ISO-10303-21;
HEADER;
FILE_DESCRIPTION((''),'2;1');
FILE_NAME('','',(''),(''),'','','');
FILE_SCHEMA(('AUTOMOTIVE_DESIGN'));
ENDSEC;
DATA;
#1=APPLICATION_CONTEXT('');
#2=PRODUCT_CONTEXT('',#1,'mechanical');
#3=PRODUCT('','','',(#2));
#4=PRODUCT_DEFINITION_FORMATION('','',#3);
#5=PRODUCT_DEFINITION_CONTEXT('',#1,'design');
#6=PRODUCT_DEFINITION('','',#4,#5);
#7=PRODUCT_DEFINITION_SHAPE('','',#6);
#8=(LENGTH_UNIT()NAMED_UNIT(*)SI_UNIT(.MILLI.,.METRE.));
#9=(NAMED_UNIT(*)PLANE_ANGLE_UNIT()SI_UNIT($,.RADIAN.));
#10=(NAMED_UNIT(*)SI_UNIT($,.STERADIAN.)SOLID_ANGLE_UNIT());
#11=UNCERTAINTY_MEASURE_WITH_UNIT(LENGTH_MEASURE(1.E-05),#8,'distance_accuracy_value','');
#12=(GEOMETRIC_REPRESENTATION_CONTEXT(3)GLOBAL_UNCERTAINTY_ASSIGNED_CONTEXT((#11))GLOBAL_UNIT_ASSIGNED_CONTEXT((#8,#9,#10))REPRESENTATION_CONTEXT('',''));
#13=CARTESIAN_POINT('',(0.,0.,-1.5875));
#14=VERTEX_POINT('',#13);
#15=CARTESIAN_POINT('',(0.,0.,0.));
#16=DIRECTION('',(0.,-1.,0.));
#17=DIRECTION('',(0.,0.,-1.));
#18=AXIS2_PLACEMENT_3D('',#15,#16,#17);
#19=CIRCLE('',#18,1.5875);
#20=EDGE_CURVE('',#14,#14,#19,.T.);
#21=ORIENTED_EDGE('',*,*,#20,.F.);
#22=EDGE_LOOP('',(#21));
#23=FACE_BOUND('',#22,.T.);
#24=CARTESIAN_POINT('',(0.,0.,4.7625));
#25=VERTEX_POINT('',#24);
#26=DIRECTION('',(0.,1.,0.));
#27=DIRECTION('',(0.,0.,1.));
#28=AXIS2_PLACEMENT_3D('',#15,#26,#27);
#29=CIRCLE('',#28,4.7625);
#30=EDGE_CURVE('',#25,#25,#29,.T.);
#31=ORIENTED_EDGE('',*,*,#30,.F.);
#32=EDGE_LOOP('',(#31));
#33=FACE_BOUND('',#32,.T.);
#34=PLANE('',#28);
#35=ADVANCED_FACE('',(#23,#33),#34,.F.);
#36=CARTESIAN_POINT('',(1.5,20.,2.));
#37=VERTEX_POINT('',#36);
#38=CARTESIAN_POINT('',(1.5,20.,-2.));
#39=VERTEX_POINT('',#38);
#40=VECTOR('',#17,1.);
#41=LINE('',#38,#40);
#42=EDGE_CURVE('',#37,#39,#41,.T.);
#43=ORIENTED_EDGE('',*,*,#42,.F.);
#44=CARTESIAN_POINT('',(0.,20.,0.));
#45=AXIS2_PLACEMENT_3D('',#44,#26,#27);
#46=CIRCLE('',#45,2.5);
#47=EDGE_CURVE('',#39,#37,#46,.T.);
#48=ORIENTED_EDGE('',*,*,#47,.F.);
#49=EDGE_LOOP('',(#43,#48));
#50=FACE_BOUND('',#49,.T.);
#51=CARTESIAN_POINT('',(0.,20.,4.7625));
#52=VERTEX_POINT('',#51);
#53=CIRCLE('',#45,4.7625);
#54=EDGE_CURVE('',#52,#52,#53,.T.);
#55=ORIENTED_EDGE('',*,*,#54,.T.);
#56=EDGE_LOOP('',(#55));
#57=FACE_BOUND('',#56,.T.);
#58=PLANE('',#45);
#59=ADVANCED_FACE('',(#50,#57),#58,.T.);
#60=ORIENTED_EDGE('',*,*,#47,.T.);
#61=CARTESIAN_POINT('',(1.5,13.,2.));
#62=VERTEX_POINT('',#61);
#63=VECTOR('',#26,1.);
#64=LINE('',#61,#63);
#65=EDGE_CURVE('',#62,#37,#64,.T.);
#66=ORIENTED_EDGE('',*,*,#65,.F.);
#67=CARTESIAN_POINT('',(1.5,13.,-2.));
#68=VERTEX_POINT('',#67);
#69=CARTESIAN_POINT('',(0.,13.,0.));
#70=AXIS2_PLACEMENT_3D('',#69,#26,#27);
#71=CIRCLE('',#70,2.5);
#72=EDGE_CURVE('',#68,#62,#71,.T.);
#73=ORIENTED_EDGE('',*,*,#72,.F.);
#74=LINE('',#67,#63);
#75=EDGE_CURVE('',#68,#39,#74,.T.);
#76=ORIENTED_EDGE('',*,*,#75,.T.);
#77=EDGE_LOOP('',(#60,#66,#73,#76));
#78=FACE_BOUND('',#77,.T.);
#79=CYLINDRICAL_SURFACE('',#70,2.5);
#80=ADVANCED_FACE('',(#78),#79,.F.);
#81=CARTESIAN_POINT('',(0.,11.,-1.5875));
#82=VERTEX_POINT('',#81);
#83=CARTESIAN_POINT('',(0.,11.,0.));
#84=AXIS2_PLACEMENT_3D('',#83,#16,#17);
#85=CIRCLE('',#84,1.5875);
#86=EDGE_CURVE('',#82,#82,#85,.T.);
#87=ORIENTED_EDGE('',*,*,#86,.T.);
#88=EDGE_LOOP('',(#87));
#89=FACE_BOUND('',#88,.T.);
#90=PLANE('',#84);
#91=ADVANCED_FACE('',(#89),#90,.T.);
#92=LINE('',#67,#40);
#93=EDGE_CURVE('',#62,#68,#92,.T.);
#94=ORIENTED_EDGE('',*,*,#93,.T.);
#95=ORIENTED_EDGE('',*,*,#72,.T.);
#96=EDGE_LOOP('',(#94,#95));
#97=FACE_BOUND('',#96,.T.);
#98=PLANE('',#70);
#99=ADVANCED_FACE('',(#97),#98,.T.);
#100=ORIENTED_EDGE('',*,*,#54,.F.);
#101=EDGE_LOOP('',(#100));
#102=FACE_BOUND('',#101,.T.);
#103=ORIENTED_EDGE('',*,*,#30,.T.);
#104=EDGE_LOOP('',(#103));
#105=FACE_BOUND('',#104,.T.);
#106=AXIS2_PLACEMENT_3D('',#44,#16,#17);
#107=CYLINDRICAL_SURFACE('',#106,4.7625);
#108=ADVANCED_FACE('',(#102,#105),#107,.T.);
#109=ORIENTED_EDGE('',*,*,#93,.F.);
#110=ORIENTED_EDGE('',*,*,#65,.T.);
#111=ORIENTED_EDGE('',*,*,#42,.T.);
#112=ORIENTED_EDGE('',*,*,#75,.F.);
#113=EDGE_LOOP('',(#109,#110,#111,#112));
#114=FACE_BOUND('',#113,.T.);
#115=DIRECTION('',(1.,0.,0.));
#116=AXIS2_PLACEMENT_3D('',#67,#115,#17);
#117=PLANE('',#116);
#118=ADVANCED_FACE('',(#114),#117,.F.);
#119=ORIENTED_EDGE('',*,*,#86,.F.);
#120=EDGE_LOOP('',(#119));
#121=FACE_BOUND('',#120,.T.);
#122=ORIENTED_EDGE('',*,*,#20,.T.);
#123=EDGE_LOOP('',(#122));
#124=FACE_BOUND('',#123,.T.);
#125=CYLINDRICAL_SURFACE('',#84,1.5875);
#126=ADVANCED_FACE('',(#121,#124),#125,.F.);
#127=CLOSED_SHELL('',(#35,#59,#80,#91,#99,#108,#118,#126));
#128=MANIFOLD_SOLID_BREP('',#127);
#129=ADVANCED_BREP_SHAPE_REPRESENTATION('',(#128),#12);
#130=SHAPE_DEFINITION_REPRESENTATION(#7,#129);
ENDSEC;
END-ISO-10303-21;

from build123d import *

# Parameters (mm, degrees)
SKETCH1_R           = 4.7625
BOSS_EXTRUDE1_DEPTH = 20
CUT_EXTRUDE1_DEPTH  = 7
SKETCH3_R           = 1.5875
CUT_EXTRUDE2_DEPTH  = 11


with BuildPart() as part:
    # Sketch1 → Boss-Extrude1 (new body)
    with BuildSketch(Plane(origin=(0, 0, 0), x_dir=(1, 0, 0), z_dir=(0, 1, 0))):
        Circle(SKETCH1_R)
    extrude(amount=BOSS_EXTRUDE1_DEPTH)

    # Sketch2 → Cut-Extrude1 (cut)
    with BuildSketch(Plane(origin=(0, 20, 0), x_dir=(1, 0, 0), z_dir=(0, 1, 0))):
        with BuildLine():
            Line((1.5, 2), (1.5, -2))
            ThreePointArc((1.5, -2), (-2.5, 0), (1.5, 2))
        make_face()
    extrude(amount=-CUT_EXTRUDE1_DEPTH, mode=Mode.SUBTRACT)

    # Sketch3 → Cut-Extrude2 (cut)
    with BuildSketch(Plane.XZ):
        Circle(SKETCH3_R)
    extrude(amount=-CUT_EXTRUDE2_DEPTH, mode=Mode.SUBTRACT)


solid = part.part
